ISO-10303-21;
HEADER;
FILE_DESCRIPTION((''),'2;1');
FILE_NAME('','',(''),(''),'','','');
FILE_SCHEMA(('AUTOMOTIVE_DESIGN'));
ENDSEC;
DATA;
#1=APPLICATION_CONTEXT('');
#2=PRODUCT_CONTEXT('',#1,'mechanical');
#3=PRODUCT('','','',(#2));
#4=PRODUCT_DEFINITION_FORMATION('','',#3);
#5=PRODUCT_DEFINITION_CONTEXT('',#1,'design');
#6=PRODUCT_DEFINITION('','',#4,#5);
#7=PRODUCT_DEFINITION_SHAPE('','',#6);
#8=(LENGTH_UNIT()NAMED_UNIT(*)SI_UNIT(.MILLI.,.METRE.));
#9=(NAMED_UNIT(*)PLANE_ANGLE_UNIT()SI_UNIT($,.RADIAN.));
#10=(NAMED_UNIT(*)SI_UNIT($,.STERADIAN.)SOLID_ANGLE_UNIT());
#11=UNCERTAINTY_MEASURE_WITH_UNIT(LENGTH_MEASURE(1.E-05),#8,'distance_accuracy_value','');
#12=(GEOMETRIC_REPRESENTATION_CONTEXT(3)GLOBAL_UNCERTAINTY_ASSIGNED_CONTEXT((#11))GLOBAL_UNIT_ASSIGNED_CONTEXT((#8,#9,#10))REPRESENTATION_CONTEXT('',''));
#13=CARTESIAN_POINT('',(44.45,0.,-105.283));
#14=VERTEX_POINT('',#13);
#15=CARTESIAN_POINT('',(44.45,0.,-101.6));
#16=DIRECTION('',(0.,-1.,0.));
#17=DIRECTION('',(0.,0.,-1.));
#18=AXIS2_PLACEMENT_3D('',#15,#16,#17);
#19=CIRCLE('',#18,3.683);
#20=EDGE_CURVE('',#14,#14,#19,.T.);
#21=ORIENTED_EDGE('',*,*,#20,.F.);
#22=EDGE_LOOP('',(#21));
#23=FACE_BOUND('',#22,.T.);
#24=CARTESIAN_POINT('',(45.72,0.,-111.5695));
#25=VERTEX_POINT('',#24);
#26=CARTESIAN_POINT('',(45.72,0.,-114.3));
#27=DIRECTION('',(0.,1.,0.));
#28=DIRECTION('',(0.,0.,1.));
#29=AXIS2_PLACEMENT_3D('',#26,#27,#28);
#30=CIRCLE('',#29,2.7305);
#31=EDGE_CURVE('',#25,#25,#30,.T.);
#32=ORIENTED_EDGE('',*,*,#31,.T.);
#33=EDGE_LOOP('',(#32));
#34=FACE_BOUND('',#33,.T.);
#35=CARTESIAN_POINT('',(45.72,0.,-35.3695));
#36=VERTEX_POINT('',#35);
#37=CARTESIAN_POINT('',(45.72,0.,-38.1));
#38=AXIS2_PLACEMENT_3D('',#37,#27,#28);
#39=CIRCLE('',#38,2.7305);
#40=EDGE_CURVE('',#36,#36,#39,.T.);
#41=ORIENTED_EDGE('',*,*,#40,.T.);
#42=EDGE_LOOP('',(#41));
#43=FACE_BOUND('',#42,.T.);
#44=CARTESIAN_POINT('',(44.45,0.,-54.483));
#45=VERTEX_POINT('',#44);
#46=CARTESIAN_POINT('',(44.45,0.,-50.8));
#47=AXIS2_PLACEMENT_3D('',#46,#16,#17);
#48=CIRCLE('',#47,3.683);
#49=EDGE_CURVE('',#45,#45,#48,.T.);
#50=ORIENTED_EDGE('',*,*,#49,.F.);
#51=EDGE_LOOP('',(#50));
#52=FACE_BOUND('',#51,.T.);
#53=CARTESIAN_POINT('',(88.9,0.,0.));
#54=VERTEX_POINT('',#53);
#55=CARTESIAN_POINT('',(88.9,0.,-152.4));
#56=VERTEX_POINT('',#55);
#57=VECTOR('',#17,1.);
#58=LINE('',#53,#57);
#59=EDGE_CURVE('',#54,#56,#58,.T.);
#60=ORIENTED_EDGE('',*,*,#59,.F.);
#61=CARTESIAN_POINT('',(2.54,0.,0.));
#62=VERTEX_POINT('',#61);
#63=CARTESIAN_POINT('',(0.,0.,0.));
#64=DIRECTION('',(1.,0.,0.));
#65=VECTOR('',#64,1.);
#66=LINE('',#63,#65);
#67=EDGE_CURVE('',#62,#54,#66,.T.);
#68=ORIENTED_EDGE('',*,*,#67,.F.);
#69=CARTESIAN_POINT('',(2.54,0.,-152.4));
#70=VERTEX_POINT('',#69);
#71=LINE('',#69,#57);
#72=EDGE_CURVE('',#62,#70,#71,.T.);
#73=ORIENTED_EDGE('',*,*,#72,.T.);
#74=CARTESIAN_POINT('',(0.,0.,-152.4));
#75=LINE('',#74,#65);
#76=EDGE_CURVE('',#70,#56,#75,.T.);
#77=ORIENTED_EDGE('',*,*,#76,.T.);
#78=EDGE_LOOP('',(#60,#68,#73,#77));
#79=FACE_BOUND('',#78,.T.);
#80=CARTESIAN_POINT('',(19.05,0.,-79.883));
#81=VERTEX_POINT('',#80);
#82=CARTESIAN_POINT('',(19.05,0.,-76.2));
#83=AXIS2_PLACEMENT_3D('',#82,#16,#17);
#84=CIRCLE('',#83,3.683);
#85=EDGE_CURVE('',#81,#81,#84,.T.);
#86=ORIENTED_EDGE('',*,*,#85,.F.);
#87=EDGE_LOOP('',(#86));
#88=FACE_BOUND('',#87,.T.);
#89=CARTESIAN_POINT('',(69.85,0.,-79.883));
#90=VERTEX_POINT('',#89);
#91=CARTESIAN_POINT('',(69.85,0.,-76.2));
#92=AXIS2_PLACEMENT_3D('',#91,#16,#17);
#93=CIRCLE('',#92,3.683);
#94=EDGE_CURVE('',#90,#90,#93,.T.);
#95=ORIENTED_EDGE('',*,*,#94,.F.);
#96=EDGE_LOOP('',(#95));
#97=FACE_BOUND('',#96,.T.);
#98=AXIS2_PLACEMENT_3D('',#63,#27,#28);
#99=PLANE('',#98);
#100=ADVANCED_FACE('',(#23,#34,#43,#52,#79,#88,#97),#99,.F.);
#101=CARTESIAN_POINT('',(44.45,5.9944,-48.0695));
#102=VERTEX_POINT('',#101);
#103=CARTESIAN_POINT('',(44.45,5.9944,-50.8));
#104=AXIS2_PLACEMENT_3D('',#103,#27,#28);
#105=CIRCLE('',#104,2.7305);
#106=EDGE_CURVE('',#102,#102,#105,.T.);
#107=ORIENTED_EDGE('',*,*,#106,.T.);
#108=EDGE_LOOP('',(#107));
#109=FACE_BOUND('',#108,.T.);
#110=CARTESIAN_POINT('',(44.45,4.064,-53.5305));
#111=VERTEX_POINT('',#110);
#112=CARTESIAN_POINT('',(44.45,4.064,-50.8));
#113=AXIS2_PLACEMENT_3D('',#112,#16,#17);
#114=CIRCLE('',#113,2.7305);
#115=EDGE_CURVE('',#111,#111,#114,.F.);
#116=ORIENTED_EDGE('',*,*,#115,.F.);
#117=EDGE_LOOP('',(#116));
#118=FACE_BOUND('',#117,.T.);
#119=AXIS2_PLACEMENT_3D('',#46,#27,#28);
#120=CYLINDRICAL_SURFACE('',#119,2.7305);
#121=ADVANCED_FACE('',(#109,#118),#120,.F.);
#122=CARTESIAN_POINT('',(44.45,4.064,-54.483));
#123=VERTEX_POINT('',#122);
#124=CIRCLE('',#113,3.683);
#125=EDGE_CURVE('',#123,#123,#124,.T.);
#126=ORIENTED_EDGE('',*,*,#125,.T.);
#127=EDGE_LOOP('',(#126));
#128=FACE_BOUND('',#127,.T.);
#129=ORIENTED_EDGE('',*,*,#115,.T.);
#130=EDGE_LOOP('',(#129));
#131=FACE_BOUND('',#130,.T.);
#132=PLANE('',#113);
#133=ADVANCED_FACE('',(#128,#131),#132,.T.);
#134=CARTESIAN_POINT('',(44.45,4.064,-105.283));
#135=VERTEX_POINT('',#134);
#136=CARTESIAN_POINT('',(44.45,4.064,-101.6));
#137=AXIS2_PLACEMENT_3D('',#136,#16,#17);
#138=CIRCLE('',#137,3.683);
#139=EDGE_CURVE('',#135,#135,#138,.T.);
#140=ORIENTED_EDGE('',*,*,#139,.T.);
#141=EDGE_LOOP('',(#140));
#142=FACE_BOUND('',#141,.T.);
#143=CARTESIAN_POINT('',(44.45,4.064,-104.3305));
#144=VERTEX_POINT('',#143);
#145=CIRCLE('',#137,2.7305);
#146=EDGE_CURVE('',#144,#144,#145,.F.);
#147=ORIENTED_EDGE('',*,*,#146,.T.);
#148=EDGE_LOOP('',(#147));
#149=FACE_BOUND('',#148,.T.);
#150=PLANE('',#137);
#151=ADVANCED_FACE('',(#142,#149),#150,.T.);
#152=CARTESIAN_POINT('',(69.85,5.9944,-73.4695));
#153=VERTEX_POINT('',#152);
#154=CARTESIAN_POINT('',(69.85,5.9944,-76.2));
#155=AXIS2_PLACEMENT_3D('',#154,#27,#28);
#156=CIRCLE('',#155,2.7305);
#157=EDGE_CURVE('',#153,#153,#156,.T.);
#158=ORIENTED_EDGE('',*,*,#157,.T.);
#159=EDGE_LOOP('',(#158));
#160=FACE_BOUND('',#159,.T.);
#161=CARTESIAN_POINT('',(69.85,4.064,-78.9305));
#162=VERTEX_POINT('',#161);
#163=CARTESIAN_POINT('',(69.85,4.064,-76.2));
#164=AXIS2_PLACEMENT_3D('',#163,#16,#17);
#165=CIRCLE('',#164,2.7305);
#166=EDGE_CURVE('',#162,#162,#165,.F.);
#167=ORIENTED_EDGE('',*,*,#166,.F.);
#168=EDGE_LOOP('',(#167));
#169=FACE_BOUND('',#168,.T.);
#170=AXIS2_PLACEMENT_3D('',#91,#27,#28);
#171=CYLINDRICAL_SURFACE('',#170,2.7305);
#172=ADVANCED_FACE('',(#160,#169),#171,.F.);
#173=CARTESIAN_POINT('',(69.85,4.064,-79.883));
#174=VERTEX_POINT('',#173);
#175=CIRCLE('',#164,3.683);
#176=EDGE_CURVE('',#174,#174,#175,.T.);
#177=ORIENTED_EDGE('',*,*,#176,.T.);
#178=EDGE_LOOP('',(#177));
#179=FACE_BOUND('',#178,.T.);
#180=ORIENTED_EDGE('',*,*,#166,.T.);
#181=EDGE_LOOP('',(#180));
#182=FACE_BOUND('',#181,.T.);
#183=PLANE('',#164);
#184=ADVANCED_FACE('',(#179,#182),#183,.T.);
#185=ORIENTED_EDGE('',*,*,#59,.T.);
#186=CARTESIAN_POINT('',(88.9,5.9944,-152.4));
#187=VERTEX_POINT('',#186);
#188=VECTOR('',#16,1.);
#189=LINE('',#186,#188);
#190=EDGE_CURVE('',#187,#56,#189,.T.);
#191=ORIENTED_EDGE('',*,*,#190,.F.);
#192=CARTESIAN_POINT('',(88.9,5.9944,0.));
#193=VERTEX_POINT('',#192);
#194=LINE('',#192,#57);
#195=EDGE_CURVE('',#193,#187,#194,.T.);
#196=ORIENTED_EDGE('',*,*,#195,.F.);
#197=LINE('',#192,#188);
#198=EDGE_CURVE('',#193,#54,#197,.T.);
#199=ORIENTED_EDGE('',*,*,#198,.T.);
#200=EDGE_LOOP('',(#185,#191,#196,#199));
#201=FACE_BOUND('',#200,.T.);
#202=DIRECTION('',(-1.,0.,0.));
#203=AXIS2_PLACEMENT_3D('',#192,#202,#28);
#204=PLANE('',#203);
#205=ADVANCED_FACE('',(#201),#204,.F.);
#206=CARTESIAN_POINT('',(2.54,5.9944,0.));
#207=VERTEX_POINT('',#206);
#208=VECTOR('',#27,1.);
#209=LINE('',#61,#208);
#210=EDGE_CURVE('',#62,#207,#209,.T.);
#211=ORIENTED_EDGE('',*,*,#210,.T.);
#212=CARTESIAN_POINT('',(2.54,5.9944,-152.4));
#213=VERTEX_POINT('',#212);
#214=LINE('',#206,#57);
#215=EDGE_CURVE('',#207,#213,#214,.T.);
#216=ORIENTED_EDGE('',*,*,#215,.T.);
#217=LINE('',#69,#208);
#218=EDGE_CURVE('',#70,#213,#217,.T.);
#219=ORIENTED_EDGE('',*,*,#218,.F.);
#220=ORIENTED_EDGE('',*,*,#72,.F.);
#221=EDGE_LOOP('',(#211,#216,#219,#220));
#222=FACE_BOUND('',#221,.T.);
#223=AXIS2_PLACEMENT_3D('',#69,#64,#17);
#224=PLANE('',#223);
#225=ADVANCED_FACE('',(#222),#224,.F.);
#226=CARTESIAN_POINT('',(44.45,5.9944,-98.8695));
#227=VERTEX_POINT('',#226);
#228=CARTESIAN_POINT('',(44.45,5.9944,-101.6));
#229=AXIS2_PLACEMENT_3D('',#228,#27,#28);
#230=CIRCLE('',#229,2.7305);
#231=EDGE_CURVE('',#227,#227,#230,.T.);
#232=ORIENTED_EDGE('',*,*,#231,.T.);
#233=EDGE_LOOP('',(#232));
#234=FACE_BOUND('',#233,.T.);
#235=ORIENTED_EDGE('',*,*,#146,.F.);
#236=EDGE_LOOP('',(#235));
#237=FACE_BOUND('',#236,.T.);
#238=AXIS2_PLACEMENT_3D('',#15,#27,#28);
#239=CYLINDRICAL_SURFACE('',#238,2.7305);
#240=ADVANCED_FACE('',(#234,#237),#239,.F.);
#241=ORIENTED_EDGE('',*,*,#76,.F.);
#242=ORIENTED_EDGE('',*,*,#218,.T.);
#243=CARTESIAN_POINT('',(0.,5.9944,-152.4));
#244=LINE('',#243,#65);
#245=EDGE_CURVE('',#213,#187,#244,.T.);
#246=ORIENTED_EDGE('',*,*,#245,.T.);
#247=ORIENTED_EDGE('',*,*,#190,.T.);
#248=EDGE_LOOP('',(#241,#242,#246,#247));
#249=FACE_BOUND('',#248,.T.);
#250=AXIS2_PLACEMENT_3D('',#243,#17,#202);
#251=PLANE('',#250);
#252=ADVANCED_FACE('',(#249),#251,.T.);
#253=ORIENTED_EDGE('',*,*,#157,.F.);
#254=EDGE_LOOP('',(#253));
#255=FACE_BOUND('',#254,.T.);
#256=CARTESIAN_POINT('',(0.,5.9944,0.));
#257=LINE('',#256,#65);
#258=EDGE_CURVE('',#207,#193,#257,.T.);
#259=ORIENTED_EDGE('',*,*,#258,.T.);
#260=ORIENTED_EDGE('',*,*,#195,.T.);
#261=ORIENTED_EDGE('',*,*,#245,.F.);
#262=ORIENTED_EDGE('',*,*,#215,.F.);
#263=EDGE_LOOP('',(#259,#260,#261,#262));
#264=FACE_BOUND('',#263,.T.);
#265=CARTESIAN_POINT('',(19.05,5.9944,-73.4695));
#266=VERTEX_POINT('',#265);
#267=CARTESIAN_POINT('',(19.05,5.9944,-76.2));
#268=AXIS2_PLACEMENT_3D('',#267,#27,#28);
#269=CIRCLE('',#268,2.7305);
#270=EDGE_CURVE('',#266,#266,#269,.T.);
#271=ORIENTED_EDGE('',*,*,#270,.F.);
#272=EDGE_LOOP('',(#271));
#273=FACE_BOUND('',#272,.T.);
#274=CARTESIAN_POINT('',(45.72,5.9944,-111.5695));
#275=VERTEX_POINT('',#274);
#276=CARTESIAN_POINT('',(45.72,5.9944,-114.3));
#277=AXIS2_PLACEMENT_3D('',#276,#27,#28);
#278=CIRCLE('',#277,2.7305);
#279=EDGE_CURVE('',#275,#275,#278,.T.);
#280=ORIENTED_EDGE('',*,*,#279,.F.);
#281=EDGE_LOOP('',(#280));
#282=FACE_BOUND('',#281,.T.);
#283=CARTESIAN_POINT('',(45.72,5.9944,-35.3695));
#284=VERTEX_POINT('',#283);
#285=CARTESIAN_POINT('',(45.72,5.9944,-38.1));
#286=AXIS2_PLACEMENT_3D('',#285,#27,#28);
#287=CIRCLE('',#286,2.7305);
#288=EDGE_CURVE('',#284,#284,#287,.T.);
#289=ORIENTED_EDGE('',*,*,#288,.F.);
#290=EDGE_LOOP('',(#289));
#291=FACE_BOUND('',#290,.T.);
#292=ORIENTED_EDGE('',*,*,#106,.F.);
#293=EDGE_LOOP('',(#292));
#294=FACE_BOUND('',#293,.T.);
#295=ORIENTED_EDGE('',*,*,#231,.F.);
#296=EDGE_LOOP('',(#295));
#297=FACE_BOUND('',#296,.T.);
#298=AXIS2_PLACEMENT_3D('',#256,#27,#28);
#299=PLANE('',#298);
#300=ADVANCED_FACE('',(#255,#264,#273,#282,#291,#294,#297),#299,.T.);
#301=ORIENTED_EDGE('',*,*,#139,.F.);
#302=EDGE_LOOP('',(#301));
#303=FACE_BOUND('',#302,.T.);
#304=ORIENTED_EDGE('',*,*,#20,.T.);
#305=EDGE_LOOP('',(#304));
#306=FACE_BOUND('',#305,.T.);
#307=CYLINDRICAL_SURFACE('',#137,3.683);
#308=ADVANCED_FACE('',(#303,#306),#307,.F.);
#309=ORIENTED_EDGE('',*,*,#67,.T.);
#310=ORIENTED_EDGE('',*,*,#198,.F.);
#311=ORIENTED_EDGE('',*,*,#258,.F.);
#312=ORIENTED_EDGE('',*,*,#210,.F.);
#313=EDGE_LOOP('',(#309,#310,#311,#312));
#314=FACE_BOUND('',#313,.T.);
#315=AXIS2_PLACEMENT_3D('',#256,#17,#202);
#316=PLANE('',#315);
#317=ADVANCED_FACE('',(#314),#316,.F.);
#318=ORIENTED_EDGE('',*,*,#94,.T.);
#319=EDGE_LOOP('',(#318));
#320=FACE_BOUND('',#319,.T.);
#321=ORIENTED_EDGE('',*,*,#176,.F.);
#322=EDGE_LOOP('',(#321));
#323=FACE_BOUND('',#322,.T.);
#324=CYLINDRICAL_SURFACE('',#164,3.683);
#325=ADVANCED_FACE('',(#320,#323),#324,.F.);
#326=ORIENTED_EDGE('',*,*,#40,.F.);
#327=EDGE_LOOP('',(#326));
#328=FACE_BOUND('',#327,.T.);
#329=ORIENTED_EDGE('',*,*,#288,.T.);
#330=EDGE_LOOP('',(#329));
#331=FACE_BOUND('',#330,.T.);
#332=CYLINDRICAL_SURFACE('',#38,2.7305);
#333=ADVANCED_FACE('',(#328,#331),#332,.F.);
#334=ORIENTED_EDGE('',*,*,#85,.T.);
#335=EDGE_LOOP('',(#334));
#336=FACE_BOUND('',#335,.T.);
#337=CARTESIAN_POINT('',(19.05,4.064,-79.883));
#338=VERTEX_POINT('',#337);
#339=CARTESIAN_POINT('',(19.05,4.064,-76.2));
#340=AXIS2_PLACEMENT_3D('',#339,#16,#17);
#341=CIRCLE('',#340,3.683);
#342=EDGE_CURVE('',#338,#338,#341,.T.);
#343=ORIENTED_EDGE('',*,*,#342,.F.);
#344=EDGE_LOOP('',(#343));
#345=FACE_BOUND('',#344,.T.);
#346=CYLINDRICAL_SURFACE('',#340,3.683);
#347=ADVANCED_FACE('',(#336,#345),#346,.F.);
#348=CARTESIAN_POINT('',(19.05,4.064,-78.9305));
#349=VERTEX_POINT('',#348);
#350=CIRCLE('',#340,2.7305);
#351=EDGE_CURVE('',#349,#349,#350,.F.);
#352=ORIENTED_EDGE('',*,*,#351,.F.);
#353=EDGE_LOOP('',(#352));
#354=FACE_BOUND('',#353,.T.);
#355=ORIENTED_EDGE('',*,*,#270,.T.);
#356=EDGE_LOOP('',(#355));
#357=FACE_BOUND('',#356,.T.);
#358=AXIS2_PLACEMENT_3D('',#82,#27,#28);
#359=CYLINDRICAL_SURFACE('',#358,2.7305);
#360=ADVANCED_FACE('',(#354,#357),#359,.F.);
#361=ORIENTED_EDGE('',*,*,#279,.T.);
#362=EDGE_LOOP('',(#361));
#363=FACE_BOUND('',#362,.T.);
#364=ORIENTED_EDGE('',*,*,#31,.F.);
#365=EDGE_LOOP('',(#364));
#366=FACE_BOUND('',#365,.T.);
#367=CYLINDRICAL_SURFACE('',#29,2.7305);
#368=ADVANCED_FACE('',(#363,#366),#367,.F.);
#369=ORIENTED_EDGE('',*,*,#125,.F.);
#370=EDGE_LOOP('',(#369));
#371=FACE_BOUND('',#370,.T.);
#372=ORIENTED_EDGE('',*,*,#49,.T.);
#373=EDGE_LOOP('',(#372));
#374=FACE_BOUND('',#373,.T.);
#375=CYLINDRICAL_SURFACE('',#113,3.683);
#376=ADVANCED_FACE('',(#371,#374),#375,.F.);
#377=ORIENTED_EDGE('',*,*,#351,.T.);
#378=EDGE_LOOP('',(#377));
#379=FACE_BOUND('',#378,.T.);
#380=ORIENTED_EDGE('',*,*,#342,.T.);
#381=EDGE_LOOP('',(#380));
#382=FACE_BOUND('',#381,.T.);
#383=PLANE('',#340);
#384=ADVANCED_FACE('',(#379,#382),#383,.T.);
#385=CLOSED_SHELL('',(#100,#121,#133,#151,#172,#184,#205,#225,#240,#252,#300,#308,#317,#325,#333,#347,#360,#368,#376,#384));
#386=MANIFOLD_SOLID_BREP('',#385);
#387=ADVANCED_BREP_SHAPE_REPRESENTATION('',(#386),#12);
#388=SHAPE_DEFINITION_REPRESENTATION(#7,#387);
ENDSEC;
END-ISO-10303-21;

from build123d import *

# Parameters (mm, degrees)
SKETCH2_W               = 88.9
SKETCH2_H               = 152.4
BOSS_EXTRUDE1_DEPTH     = 5.9944
SKETCH4_R               = 2.7305
CUT_EXTRUDE2_DEPTH      = 1
CUT_EXTRUDE2_DEPTH_BACK = 6.9944
SKETCH5_R               = 2.7305
CUT_EXTRUDE3_DEPTH      = 1
CUT_EXTRUDE3_DEPTH_BACK = 6.9944
SKETCH7_W               = 2.54
SKETCH7_H               = 152.4
CUT_EXTRUDE5_DEPTH      = 1
CUT_EXTRUDE5_DEPTH_BACK = 6.9944
SKETCH8_R               = 3.683
CUT_EXTRUDE6_DEPTH      = 4.064


with BuildPart() as part:
    # Sketch2 → Boss-Extrude1 (new body)
    with BuildSketch(Plane(origin=(0, 0, 0), x_dir=(1, 0, 0), z_dir=(0, 1, 0))):
        with Locations((44.45, 76.2)):
            Rectangle(SKETCH2_W, SKETCH2_H)
    extrude(amount=BOSS_EXTRUDE1_DEPTH)

    # Sketch4 → Cut-Extrude2 (cut, two sides)
    with BuildSketch(Plane(origin=(0, 5.9944, 0), x_dir=(1, 0, 0), z_dir=(0, 1, 0))) as cut_extrude2_sk:
        with Locations((45.72, 114.3)):
            Circle(SKETCH4_R)
        with Locations((45.72, 38.1)):
            Circle(SKETCH4_R)
    extrude(amount=CUT_EXTRUDE2_DEPTH, mode=Mode.SUBTRACT)
    extrude(cut_extrude2_sk.sketch, amount=-CUT_EXTRUDE2_DEPTH_BACK, mode=Mode.SUBTRACT)

    # Sketch5 → Cut-Extrude3 (cut, two sides)
    with BuildSketch(Plane(origin=(0, 5.9944, 0), x_dir=(1, 0, 0), z_dir=(0, 1, 0))) as cut_extrude3_sk:
        with Locations((69.85, 76.2)):
            Circle(SKETCH5_R)
        with Locations((19.05, 76.2)):
            Circle(SKETCH5_R)
        with Locations((44.45, 101.6)):
            Circle(SKETCH5_R)
        with Locations((44.45, 50.8)):
            Circle(SKETCH5_R)
    extrude(amount=CUT_EXTRUDE3_DEPTH, mode=Mode.SUBTRACT)
    extrude(cut_extrude3_sk.sketch, amount=-CUT_EXTRUDE3_DEPTH_BACK, mode=Mode.SUBTRACT)

    # Sketch7 → Cut-Extrude5 (cut, two sides)
    with BuildSketch(Plane(origin=(0, 5.9944, 0), x_dir=(1, 0, 0), z_dir=(0, 1, 0))) as cut_extrude5_sk:
        with Locations((1.27, 76.2)):
            Rectangle(SKETCH7_W, SKETCH7_H)
    extrude(amount=CUT_EXTRUDE5_DEPTH, mode=Mode.SUBTRACT)
    extrude(cut_extrude5_sk.sketch, amount=-CUT_EXTRUDE5_DEPTH_BACK, mode=Mode.SUBTRACT)

    # Sketch8 → Cut-Extrude6 (cut)
    with BuildSketch(Plane.XZ):
        with Locations((19.05, -76.2)):
            Circle(SKETCH8_R)
        with Locations((44.45, -50.8)):
            Circle(SKETCH8_R)
        with Locations((69.85, -76.2)):
            Circle(SKETCH8_R)
        with Locations((44.45, -101.6)):
            Circle(SKETCH8_R)
    extrude(amount=-CUT_EXTRUDE6_DEPTH, mode=Mode.SUBTRACT)


solid = part.part
